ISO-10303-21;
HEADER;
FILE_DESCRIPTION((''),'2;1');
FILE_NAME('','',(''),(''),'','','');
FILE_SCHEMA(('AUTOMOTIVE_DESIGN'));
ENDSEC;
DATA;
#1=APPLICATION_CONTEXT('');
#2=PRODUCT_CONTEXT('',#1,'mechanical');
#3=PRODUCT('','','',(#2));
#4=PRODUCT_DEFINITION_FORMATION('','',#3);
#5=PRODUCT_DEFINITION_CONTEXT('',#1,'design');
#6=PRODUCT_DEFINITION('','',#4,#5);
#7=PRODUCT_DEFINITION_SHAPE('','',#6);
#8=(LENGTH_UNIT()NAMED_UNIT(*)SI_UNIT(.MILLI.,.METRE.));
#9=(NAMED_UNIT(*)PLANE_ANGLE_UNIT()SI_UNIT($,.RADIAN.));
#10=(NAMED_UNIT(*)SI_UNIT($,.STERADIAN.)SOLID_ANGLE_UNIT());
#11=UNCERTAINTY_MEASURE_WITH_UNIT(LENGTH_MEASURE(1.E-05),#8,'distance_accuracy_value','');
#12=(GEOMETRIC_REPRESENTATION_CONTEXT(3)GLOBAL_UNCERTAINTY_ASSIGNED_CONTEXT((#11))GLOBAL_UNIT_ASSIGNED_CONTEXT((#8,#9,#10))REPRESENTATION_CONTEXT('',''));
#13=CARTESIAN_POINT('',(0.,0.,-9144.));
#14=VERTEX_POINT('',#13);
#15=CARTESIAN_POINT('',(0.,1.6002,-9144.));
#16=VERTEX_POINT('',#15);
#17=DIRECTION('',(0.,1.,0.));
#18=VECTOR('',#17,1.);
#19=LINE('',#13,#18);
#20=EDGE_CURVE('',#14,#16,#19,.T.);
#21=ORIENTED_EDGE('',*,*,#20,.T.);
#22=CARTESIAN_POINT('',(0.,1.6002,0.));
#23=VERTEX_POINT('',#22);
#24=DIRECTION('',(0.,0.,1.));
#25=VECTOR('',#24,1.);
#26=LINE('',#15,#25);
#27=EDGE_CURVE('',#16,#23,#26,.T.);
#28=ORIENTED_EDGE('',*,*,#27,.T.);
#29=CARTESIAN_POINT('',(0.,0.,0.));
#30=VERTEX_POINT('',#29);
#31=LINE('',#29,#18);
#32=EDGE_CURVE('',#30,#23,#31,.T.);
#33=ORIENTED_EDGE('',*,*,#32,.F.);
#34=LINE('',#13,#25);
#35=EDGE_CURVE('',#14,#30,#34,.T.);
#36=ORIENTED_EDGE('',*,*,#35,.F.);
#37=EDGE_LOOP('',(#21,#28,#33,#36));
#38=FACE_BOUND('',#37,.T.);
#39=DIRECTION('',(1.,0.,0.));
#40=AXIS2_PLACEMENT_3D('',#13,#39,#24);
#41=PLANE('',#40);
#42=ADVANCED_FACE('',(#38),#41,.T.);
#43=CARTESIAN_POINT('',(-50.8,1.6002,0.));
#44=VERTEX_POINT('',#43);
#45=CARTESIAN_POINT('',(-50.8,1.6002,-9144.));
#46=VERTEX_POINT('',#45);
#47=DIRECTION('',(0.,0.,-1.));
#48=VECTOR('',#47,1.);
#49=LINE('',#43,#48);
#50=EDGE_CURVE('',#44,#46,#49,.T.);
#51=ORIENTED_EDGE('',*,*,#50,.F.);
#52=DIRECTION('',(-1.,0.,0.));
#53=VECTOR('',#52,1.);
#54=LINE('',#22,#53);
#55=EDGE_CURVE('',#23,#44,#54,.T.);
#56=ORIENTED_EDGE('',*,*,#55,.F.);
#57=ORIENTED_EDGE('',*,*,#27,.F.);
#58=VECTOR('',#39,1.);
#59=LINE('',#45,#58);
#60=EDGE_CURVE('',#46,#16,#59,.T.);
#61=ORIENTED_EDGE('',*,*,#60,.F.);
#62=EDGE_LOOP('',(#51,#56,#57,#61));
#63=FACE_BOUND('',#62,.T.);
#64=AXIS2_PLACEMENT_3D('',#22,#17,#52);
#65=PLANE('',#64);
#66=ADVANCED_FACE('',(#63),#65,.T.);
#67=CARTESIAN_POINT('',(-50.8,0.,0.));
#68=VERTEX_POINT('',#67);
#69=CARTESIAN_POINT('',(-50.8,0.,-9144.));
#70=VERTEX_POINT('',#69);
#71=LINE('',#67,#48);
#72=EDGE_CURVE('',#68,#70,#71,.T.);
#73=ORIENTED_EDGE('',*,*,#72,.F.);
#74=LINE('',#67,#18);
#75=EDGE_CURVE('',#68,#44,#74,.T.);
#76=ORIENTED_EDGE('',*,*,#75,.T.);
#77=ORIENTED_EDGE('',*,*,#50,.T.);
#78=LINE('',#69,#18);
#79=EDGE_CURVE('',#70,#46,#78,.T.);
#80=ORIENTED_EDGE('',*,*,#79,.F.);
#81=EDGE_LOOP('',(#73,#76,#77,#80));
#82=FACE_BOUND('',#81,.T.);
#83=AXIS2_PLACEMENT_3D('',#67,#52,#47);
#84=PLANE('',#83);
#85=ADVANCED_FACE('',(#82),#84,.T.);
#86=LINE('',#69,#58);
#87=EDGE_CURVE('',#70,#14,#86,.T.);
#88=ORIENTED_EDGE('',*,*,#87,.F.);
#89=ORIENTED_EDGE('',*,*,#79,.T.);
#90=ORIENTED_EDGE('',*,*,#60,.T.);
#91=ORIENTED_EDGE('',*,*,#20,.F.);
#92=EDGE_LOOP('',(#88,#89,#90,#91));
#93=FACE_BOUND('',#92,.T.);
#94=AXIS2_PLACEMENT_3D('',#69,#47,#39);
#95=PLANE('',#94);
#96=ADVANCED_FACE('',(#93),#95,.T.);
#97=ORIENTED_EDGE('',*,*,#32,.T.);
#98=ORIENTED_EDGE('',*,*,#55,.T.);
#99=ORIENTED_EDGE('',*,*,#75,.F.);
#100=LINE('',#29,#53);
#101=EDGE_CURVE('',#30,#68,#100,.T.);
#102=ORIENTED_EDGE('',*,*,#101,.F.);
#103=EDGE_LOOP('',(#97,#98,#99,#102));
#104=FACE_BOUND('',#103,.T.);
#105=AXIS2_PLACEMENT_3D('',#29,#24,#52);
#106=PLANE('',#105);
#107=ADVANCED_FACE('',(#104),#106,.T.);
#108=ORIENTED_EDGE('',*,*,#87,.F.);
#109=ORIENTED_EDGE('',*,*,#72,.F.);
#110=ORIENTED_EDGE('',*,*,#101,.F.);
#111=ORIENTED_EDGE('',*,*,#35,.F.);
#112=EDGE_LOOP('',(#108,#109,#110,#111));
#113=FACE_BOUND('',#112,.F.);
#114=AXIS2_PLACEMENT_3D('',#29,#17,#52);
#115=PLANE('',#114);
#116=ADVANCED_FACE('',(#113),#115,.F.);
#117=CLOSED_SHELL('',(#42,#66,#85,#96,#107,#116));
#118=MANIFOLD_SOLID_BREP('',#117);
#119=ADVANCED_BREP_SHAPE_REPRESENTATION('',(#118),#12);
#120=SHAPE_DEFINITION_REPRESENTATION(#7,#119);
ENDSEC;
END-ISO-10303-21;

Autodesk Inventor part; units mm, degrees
ref_plane "YZ Plane" through (0, 0, 0) normal (1, 0, 0) x (0, 1, 0)
ref_plane "XZ Plane" through (0, 0, 0) normal (0, 1, 0) x (-1, 0, 0)
ref_plane "XY Plane" through (0, 0, 0) normal (0, 0, 1) x (1, 0, 0)
sketch "Sketch1" plane through (0, 0, 0) normal (0, 1, 0) x (-1, 0, 0)
  line L0 (0, 0) -> (50.8, 0)
  line L1 (50.8, 0) -> (50.8, -9144)
  line L2 (50.8, -9144) -> (0, -9144)
  line L3 (0, -9144) -> (0, 0)
  dimension "d0" = 50.8
  dimension "d1" = 9144
extrude "Extrusion1" add sketch "Sketch1" along normal blind 1.6002
properties part number "RedAllianceTape-ver2-1111-2021"
